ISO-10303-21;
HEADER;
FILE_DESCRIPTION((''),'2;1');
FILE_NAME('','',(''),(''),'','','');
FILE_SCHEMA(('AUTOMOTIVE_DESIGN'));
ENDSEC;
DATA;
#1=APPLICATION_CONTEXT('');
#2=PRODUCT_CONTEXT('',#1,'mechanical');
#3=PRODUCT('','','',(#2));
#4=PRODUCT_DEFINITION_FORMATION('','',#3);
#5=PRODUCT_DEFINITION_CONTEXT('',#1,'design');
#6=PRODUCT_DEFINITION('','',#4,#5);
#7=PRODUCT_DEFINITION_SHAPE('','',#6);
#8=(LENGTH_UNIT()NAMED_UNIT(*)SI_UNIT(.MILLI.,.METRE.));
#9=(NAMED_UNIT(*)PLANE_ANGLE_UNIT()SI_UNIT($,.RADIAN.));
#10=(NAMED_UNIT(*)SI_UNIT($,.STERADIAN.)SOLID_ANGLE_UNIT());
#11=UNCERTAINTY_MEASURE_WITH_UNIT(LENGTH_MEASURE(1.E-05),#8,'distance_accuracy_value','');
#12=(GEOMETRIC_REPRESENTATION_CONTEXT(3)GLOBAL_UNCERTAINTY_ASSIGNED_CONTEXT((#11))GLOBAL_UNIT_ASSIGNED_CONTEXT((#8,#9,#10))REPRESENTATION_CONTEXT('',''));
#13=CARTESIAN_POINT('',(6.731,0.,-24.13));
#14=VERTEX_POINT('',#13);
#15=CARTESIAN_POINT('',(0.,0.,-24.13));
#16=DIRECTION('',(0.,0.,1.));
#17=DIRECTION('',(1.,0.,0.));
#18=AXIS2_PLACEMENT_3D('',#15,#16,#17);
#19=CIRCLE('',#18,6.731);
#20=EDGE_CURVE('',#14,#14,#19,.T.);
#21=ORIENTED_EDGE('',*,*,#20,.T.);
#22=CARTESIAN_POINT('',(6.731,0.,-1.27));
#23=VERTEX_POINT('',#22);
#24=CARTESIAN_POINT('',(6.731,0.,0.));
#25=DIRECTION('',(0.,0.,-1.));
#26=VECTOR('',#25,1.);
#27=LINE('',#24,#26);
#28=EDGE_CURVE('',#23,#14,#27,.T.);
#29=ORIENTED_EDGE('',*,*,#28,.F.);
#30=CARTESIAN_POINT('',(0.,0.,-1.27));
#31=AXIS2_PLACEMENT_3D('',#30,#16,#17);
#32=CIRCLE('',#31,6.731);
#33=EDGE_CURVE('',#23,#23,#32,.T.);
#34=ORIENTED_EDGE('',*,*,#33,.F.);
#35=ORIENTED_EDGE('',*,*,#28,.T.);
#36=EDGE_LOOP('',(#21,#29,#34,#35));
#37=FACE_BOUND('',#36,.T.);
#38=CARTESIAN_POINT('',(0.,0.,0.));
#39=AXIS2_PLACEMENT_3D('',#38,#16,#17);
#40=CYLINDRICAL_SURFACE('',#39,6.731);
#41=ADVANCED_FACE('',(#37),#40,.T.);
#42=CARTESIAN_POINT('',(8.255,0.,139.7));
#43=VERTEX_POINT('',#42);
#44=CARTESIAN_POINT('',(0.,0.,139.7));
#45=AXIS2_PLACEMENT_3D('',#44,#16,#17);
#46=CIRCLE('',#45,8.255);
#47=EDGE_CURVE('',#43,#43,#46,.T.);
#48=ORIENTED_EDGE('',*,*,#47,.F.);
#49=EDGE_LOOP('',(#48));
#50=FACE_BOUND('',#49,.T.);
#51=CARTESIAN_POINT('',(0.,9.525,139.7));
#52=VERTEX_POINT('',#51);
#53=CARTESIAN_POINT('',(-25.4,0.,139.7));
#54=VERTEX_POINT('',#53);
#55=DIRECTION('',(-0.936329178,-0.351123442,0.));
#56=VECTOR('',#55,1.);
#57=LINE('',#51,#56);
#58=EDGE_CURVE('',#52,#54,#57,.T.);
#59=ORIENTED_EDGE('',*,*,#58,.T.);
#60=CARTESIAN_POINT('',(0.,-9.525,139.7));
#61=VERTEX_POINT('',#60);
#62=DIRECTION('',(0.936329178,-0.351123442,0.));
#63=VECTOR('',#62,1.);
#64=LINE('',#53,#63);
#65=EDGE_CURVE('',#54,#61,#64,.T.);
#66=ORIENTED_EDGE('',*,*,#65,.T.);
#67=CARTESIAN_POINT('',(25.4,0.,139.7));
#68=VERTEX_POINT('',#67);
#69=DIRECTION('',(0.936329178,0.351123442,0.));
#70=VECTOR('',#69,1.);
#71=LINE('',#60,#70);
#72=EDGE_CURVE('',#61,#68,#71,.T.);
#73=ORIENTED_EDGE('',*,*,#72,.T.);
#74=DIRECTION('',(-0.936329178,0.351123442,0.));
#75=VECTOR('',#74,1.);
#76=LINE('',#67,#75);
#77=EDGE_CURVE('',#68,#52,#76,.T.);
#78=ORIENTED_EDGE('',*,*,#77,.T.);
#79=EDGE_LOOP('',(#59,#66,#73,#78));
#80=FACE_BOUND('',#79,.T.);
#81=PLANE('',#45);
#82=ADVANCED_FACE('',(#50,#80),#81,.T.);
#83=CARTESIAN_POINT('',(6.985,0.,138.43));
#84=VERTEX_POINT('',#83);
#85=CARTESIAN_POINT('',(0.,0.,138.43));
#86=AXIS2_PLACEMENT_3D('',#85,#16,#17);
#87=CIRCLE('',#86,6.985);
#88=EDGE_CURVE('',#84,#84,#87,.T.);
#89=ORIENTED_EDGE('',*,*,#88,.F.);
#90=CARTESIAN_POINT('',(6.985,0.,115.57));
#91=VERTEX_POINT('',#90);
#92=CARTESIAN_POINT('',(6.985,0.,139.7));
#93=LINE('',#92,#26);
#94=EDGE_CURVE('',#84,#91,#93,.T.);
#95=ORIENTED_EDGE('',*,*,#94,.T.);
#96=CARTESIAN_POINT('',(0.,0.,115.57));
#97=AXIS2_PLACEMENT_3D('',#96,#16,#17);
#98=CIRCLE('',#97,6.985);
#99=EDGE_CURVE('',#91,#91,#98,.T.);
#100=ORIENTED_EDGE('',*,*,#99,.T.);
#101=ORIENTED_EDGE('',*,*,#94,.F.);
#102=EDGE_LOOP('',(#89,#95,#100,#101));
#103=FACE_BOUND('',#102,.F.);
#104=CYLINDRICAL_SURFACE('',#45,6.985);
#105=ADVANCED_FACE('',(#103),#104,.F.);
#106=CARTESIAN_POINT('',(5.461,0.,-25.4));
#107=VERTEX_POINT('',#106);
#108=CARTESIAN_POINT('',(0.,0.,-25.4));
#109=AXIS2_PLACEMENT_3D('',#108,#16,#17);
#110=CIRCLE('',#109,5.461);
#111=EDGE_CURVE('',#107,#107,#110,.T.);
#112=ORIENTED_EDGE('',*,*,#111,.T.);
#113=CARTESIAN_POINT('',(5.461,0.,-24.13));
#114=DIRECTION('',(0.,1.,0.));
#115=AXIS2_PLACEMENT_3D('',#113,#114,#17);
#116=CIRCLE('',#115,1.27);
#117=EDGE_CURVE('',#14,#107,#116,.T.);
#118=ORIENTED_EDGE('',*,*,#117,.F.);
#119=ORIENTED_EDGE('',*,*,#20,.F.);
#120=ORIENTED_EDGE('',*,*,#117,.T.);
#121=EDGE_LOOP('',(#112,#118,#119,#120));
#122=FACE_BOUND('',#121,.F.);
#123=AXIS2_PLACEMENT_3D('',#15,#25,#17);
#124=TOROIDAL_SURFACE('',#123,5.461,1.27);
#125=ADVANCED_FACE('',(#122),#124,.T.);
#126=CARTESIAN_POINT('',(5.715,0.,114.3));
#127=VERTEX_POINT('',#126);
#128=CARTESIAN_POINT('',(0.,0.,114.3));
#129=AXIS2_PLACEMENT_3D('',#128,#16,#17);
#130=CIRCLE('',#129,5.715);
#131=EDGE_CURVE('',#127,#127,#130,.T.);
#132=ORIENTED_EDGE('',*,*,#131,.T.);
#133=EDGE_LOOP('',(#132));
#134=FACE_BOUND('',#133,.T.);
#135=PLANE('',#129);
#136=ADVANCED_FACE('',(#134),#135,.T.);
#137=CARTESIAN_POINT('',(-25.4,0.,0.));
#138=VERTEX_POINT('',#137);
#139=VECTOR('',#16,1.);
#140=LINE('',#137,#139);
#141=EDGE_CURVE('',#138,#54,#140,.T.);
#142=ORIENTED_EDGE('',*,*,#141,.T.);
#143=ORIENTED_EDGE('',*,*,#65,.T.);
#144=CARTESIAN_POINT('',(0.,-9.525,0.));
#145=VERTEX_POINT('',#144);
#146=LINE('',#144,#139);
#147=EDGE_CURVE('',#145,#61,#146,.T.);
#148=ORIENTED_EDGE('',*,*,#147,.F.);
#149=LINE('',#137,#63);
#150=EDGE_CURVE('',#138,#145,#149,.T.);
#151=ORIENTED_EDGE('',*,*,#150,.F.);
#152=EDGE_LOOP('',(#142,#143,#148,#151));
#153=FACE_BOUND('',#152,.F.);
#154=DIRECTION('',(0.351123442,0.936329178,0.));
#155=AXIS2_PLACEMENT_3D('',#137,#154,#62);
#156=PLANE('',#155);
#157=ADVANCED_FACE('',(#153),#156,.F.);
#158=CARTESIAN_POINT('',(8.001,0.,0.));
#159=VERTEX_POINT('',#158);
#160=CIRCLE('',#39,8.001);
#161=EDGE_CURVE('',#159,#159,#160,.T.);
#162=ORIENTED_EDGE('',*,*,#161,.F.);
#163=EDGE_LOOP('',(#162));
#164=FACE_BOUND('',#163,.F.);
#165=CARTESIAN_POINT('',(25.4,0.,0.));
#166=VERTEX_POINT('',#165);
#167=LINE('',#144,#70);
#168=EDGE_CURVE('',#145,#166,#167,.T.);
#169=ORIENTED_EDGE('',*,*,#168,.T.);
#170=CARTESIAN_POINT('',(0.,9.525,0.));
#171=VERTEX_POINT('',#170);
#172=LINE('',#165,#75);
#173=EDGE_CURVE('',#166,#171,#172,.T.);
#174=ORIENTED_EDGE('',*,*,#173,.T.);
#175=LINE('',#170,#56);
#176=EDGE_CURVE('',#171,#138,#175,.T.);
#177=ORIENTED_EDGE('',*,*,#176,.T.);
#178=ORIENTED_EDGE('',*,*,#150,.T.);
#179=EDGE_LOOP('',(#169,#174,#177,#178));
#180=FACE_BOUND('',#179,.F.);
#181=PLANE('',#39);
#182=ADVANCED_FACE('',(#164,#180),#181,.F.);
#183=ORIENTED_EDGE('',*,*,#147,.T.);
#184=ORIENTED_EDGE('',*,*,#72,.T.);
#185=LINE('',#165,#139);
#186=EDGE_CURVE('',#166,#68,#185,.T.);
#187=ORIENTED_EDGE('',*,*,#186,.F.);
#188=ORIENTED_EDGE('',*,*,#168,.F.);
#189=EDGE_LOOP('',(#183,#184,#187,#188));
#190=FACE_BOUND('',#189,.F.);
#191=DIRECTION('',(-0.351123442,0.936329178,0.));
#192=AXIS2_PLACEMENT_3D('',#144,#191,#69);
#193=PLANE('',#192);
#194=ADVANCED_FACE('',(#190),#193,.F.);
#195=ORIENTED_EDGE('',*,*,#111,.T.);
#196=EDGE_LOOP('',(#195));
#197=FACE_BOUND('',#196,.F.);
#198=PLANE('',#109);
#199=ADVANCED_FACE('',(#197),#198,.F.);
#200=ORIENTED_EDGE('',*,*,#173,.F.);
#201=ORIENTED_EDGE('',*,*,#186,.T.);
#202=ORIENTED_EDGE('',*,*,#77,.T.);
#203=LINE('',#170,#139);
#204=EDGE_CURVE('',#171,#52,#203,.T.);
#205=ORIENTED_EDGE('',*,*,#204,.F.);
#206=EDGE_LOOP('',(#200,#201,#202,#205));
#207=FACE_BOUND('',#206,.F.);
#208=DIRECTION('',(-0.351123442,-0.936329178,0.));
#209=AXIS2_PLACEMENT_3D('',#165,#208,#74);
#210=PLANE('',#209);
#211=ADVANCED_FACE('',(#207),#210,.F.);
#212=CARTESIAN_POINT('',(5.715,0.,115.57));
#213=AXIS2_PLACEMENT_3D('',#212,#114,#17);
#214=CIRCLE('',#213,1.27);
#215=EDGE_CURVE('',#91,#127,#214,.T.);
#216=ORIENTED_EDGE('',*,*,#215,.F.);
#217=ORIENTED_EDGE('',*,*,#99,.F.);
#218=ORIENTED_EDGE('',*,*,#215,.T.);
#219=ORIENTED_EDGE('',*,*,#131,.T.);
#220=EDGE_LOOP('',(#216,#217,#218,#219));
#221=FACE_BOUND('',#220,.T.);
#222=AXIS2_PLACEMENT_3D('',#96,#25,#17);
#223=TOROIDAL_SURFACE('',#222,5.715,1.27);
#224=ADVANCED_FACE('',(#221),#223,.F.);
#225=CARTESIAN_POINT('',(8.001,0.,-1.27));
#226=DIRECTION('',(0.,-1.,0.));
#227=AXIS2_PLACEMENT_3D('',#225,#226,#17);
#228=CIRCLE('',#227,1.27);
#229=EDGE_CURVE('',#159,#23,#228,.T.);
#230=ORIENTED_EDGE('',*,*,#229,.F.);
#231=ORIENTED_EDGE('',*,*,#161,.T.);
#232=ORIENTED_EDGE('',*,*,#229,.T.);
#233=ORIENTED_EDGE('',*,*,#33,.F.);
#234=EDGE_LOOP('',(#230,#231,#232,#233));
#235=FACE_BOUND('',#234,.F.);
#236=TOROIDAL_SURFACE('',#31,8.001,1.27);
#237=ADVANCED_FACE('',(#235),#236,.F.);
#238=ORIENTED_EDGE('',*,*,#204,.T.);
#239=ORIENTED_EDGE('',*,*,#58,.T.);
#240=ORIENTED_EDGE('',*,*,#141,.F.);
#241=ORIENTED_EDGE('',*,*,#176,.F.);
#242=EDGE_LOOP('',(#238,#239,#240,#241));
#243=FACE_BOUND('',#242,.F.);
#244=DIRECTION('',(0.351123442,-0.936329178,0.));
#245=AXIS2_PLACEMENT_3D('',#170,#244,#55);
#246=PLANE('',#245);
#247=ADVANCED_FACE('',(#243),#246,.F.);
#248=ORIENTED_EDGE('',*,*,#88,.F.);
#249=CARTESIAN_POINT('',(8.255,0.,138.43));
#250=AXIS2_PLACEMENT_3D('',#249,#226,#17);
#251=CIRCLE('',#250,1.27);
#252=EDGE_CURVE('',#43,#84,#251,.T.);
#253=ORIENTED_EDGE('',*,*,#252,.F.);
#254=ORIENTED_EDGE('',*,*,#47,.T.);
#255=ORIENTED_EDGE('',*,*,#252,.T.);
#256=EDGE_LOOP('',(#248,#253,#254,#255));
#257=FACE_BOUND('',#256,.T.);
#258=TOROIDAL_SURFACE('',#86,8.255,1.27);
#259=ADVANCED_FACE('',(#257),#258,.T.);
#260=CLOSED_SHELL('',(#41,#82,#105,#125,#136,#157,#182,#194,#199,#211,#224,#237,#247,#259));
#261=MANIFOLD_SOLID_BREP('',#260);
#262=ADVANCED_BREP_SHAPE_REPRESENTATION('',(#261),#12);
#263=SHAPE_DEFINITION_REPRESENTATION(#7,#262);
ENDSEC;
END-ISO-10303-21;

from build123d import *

# Parameters (mm, degrees)
F1_DEPTH = 139.7
F2_R     = 6.731
F3_DEPTH = 25.4
F4_R     = 6.985
F5_DEPTH = 25.4
F6_R     = 1.27
F7_R     = 1.27


with BuildPart() as f1:
    # F0 (on Top) → F1 (new body)
    with BuildSketch(Plane.XY):
        Polygon((25.4, 0), (0, 9.525), (-25.4, 0), (0, -9.525), align=None)
    extrude(amount=F1_DEPTH)

    # F2 (on Top) → F3 (join)
    with BuildSketch(Plane.XY):
        Circle(F2_R)
    extrude(amount=-F3_DEPTH)

    # F4 (on face) → F5 (cut)
    with BuildSketch(Plane.XY.offset(139.7)):
        Circle(F4_R)
    extrude(amount=-F5_DEPTH, mode=Mode.SUBTRACT)

    # F6
    f6_edges = [f1.edges().sort_by_distance(p)[0] for p in [
        (-6.985, 0, 114.3),
        (-6.985, 0, 139.7),
    ]]
    fillet(f6_edges, radius=F6_R)

    # F7
    f7_edges = [f1.edges().sort_by_distance(p)[0] for p in [
        (-6.731, 0, -25.4),
        (-6.731, 0, 0),
    ]]
    fillet(f7_edges, radius=F7_R)


solid = f1.part
